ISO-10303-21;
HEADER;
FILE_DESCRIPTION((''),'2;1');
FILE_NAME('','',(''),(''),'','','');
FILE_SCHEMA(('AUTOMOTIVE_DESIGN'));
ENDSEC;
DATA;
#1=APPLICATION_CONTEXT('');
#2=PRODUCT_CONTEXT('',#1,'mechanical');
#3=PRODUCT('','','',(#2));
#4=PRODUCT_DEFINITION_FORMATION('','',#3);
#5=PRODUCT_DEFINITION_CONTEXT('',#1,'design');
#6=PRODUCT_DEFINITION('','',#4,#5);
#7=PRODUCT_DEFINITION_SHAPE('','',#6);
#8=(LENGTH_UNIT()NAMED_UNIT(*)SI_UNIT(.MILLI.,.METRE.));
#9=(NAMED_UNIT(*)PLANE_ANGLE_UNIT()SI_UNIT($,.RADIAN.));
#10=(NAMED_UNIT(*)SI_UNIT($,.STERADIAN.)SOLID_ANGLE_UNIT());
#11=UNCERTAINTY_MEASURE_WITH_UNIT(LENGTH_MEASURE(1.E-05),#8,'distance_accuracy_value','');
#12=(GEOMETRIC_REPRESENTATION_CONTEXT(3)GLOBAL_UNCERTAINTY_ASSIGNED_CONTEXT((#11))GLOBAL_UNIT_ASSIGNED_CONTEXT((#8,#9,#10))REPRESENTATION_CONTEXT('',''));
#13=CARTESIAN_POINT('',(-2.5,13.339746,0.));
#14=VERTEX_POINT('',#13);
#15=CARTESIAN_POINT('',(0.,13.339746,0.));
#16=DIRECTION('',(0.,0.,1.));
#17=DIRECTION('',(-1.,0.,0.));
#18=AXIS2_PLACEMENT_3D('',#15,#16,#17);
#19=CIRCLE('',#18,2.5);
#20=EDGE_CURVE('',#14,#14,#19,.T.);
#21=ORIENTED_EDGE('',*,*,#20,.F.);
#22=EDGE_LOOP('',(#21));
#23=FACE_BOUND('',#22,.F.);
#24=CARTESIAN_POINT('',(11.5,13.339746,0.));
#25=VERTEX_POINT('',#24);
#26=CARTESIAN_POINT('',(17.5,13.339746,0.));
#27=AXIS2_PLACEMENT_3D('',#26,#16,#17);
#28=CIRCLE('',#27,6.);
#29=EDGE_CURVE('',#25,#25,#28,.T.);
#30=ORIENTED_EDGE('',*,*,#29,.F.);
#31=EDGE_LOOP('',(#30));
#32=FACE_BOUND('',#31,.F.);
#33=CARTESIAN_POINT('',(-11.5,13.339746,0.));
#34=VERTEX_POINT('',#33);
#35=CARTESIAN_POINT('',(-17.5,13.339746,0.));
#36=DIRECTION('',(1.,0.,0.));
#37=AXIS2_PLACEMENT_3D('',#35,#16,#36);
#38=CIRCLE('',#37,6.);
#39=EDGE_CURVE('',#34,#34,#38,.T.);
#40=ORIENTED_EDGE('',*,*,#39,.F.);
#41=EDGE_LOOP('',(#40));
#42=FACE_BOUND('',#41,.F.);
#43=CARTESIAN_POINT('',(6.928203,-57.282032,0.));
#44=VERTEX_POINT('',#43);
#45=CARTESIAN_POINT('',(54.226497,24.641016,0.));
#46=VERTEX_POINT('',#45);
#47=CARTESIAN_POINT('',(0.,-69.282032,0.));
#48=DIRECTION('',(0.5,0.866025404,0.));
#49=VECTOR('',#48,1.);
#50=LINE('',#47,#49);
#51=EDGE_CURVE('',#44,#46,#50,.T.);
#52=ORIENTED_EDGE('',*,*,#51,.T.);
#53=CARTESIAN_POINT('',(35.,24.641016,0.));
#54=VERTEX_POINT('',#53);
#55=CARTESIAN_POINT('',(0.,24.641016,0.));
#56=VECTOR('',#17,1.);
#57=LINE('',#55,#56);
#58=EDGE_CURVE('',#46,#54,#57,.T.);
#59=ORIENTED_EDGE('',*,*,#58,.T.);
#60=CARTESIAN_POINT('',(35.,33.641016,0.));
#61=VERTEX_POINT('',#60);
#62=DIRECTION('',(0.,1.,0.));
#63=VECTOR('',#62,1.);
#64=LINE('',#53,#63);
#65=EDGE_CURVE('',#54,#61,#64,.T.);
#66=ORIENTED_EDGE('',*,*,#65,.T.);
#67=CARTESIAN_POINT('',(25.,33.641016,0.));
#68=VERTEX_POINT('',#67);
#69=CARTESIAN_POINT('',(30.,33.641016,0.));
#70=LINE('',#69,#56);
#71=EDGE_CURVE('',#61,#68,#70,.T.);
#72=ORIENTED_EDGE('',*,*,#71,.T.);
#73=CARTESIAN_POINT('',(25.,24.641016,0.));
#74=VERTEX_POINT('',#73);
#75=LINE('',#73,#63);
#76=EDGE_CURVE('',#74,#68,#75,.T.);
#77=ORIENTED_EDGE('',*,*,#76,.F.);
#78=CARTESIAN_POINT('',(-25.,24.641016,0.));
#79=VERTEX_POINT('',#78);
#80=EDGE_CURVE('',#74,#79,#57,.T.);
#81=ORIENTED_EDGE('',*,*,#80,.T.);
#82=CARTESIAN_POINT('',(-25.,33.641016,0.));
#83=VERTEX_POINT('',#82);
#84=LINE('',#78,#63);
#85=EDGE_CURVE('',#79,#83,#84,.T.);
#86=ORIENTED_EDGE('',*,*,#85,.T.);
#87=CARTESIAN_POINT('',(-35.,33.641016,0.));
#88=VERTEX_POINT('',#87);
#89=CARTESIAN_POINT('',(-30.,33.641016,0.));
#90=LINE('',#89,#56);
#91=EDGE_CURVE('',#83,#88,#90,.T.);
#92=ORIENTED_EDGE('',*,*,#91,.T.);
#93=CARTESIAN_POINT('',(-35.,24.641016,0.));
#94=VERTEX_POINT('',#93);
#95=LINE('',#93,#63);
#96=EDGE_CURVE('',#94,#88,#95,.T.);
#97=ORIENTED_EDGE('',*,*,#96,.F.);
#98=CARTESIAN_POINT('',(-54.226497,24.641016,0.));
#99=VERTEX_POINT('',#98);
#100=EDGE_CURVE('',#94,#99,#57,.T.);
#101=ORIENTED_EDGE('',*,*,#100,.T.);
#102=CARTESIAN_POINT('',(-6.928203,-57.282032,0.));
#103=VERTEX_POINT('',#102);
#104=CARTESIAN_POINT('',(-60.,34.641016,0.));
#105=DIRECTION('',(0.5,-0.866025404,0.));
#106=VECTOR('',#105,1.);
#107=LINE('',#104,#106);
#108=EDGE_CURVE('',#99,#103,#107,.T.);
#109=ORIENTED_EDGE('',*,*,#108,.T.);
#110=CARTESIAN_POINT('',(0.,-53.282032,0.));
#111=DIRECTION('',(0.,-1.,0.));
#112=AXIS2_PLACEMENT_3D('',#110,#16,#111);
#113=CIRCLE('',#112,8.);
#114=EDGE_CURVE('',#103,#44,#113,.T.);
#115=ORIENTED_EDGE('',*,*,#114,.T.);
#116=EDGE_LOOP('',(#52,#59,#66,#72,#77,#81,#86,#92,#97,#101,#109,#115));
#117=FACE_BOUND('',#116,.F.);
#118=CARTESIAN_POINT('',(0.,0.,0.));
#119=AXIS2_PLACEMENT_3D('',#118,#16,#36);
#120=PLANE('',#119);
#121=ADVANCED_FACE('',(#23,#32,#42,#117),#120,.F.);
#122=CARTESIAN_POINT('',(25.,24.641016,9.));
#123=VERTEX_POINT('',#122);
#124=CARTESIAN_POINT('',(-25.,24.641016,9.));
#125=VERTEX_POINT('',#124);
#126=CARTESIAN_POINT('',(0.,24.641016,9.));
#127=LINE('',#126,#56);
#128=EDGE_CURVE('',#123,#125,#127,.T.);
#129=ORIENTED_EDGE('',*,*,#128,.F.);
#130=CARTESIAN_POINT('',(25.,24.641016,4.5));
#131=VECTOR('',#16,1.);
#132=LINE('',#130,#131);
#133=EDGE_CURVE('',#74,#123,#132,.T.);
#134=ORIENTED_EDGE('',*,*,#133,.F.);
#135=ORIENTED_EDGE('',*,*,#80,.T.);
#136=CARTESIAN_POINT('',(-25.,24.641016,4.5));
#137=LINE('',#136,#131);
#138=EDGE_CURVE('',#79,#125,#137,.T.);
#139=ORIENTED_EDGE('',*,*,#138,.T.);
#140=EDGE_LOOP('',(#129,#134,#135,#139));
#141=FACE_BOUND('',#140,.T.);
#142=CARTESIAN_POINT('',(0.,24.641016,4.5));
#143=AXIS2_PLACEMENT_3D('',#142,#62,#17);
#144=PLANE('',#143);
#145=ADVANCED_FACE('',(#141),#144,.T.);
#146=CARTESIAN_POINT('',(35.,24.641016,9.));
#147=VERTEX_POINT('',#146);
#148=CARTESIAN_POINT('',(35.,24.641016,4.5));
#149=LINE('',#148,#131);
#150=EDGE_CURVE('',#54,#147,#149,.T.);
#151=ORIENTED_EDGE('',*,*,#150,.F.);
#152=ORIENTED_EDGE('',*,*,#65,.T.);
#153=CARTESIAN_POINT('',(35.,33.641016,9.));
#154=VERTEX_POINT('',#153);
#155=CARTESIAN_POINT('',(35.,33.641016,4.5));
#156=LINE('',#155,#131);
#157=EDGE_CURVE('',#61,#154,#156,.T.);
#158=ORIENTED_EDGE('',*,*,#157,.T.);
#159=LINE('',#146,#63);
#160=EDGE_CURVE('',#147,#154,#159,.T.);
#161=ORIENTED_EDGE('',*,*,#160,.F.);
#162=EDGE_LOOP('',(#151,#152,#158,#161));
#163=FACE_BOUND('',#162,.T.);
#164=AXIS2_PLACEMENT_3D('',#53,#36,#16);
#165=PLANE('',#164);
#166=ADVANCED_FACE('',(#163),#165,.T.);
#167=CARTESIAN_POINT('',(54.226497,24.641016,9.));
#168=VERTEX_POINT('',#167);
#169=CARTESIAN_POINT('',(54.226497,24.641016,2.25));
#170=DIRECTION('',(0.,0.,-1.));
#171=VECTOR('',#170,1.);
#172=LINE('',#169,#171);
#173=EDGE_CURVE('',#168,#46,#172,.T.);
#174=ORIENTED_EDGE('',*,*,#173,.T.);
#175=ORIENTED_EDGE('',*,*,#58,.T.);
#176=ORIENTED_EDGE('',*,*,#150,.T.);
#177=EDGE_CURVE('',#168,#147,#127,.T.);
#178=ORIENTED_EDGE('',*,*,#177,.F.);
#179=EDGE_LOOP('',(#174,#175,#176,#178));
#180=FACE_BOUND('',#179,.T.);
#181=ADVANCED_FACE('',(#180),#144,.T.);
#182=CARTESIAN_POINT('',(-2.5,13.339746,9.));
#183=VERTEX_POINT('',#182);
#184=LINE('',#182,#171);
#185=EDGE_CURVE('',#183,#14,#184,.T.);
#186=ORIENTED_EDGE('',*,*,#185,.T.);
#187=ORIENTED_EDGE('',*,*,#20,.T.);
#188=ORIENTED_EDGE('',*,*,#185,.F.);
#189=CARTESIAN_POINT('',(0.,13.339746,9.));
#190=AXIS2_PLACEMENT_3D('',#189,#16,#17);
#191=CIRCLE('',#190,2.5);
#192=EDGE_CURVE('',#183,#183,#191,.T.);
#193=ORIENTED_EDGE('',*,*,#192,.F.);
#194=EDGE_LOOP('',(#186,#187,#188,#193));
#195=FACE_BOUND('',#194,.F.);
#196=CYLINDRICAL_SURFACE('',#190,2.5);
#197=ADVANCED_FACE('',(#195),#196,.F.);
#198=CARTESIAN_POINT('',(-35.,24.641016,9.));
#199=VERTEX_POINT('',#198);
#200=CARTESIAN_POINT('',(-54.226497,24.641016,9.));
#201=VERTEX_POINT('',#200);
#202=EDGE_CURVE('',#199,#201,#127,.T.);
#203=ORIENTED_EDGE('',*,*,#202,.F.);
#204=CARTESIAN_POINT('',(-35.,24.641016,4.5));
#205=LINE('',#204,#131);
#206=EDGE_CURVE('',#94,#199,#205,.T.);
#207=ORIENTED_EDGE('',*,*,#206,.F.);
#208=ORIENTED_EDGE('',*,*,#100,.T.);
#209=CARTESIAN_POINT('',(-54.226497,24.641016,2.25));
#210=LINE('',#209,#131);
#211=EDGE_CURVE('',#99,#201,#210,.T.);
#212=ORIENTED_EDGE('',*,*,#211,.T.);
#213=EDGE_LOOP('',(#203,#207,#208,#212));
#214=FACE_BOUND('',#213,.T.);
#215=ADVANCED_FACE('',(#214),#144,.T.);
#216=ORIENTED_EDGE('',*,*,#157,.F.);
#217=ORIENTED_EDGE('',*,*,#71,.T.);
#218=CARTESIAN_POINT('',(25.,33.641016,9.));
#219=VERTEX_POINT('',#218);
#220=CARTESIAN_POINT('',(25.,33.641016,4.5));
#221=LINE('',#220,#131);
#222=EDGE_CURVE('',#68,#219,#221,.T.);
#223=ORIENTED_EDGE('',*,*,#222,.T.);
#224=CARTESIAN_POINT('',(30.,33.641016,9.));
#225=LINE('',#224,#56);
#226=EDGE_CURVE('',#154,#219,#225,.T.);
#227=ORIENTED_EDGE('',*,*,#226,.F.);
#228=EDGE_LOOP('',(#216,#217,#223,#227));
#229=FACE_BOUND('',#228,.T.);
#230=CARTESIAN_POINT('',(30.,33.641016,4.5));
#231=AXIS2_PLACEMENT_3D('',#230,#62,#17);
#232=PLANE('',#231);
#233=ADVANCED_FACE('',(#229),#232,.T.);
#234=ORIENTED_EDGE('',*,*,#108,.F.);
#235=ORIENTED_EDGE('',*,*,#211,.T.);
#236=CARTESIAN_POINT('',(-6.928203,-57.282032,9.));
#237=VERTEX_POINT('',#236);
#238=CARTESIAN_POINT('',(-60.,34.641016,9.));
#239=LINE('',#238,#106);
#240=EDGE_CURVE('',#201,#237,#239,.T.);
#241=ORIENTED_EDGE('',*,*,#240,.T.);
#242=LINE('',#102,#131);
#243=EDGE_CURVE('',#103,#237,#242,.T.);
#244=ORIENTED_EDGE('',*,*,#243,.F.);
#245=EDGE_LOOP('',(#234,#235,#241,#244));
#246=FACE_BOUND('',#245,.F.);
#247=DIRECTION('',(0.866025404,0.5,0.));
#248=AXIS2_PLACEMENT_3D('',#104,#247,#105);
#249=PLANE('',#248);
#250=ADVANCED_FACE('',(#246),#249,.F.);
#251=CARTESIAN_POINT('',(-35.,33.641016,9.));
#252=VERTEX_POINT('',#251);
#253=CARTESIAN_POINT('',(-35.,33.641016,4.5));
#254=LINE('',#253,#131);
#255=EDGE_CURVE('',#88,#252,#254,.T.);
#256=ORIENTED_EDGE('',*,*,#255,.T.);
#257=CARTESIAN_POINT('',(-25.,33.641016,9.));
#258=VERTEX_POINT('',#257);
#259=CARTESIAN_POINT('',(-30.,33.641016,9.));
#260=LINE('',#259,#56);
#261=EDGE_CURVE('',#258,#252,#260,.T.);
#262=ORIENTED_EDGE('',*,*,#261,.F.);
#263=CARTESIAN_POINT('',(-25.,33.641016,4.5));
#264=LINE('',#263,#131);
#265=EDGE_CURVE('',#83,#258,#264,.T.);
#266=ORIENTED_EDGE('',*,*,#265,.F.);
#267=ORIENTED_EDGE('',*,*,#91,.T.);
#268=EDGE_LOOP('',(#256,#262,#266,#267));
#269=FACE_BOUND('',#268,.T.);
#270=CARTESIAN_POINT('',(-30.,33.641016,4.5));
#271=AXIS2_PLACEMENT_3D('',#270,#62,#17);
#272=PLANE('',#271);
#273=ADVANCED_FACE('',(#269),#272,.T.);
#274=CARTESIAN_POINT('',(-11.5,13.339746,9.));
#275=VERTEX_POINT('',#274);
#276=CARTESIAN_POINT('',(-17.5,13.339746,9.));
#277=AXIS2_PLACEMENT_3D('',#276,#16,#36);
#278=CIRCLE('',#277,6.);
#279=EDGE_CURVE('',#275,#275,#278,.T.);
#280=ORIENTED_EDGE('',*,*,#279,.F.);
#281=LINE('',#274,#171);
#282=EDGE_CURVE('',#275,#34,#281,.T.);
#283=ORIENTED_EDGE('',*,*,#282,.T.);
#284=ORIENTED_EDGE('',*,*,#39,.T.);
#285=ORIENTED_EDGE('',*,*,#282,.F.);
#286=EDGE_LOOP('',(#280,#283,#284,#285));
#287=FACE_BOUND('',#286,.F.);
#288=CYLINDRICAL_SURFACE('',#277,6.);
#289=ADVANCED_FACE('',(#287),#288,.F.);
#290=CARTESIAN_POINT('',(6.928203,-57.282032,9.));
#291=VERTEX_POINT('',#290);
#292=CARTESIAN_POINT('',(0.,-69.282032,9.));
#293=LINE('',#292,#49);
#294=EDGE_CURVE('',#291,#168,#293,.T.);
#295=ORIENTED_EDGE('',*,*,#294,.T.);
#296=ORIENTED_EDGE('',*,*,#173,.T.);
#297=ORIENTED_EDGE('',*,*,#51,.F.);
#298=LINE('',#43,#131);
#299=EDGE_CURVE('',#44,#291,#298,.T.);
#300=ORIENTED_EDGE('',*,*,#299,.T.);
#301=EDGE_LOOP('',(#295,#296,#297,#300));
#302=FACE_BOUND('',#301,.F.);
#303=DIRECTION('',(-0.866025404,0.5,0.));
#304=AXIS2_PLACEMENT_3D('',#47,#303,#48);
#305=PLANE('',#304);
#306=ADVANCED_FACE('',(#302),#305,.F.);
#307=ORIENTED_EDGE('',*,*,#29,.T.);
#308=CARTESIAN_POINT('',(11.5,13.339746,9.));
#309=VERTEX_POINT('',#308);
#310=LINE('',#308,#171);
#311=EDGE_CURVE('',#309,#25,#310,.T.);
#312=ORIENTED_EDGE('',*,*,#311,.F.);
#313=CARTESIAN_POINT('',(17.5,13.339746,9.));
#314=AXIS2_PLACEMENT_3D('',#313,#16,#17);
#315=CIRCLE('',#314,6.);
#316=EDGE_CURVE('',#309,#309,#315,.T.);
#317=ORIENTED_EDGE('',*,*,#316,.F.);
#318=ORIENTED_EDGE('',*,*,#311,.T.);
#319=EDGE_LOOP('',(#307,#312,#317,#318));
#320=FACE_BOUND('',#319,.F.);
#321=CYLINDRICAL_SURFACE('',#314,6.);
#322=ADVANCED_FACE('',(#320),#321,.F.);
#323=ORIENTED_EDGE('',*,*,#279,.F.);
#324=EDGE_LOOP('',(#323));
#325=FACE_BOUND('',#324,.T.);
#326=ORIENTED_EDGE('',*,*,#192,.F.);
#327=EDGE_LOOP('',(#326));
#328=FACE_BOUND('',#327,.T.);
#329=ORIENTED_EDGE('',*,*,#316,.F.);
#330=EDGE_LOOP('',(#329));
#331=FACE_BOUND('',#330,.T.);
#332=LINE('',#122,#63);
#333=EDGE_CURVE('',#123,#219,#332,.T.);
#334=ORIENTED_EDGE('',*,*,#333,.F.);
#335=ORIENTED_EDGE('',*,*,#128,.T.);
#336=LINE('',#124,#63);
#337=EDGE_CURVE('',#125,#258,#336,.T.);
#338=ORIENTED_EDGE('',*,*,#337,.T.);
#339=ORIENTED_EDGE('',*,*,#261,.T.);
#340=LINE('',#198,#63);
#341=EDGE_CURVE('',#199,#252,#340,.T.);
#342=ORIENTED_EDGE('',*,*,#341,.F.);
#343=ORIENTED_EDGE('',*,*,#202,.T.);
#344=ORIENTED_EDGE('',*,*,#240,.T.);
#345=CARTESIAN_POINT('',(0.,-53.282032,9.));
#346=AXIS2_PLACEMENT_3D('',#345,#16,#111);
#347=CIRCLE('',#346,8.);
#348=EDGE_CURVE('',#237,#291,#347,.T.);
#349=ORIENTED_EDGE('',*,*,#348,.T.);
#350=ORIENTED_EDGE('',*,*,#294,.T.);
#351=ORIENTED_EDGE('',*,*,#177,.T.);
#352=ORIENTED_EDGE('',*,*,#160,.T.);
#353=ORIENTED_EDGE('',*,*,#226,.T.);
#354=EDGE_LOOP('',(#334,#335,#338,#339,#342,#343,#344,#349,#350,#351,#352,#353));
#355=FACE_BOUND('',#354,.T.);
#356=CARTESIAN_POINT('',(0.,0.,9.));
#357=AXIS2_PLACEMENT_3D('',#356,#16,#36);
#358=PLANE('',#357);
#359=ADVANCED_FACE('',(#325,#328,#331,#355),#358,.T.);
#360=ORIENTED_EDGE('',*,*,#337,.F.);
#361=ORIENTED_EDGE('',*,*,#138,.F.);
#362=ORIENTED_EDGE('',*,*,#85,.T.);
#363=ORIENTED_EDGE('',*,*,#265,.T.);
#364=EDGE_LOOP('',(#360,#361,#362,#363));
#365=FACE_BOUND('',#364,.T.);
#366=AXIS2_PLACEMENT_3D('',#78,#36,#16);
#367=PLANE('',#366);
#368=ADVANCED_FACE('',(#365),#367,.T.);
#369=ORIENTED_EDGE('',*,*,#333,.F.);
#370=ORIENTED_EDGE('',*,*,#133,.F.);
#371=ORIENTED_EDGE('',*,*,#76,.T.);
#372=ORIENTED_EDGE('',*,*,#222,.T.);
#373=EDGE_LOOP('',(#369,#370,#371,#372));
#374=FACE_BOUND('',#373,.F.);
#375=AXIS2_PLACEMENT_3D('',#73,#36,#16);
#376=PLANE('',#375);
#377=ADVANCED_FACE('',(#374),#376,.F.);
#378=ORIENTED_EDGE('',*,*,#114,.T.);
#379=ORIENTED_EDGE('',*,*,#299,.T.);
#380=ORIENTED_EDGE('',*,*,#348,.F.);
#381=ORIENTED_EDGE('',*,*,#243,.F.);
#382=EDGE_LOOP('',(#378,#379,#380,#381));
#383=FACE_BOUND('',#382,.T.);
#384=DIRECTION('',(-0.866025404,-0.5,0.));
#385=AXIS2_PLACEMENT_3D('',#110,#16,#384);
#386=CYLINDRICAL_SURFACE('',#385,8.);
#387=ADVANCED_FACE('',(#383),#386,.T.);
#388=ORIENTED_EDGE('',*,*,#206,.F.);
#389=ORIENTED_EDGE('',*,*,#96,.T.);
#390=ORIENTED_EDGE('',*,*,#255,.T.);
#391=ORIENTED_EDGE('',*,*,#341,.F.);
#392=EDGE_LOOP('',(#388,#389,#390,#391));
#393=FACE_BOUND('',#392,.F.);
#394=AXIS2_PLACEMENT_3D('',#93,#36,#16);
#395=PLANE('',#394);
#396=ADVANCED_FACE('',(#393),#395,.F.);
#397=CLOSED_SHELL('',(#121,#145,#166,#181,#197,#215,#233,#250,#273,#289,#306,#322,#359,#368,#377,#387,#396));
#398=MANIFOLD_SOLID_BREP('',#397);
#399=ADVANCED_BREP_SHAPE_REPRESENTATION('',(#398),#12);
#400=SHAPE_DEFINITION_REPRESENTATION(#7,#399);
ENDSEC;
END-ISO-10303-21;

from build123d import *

# Parameters (mm, degrees)
F1_DEPTH  = 9
F2_R      = 8
F4_DEPTH  = 25
F5_W      = 120
F5_H      = 9
F6_DEPTH  = 10
F7_W      = 10
F7_H      = 9
F8_DEPTH  = 9
F10_DEPTH = 25


with BuildPart() as f1:
    # F0 (on Top) → F1 (new body)
    with BuildSketch(Plane.XY):
        Polygon((60, 34.6410161514), (-60, 34.6410161514), (0, -69.2820323028), align=None)
    extrude(amount=F1_DEPTH)

    # F2
    f2_edges = [f1.edges().sort_by_distance(p)[0] for p in [
        (0, -69.282032, 4.5),
    ]]
    fillet(f2_edges, radius=F2_R)

    # F3 (on face) → F4 (cut)
    with BuildSketch(Plane.XY.offset(9)):
        with BuildLine():
            Line((11.5, 13.3397459622), (23.5, 13.3397459622))
            ThreePointArc((23.5, 13.3397459622), (17.5, 19.3397459622), (11.5, 13.3397459622))
        make_face()
        with BuildLine():
            ThreePointArc((-23.5, 13.3397459622), (-17.5, 7.3397459622), (-11.5, 13.3397459622))
            Line((-11.5, 13.3397459622), (-23.5, 13.3397459622))
        make_face()
        with BuildLine():
            Line((-23.5, 13.3397459622), (-11.5, 13.3397459622))
            ThreePointArc((-11.5, 13.3397459622), (-17.5, 19.3397459622), (-23.5, 13.3397459622))
        make_face()
        with BuildLine():
            ThreePointArc((11.5, 13.3397459622), (17.5, 7.3397459622), (23.5, 13.3397459622))
            Line((23.5, 13.3397459622), (11.5, 13.3397459622))
        make_face()
    extrude(amount=-F4_DEPTH, mode=Mode.SUBTRACT)

    # F5 (on face) → F6 (cut)
    with BuildSketch(Plane(origin=(0, 34.6410161514, 0), x_dir=(-1, 0, 0), z_dir=(0, 1, 0))):
        with Locations((0, 4.5)):
            Rectangle(F5_W, F5_H)
    extrude(amount=-F6_DEPTH, mode=Mode.SUBTRACT)

    # F7 (on face) → F8 (join)
    with BuildSketch(Plane(origin=(0, 24.6410161514, 0), x_dir=(-1, 0, 0), z_dir=(0, 1, 0))):
        with Locations((-30, 4.5)):
            Rectangle(F7_W, F7_H)
        with Locations((30, 4.5)):
            Rectangle(F7_W, F7_H)
    extrude(amount=F8_DEPTH)

    # F9 (on face) → F10 (cut)
    with BuildSketch(Plane.XY.offset(9)):
        with BuildLine():
            ThreePointArc((2.5, 13.3397459622), (0, 15.8397459622), (-2.5, 13.3397459622))
            Line((-2.5, 13.3397459622), (2.5, 13.3397459622))
        make_face()
        with BuildLine():
            Line((2.5, 13.3397459622), (-2.5, 13.3397459622))
            ThreePointArc((-2.5, 13.3397459622), (0, 10.8397459622), (2.5, 13.3397459622))
        make_face()
    extrude(amount=-F10_DEPTH, mode=Mode.SUBTRACT)


solid = f1.part
